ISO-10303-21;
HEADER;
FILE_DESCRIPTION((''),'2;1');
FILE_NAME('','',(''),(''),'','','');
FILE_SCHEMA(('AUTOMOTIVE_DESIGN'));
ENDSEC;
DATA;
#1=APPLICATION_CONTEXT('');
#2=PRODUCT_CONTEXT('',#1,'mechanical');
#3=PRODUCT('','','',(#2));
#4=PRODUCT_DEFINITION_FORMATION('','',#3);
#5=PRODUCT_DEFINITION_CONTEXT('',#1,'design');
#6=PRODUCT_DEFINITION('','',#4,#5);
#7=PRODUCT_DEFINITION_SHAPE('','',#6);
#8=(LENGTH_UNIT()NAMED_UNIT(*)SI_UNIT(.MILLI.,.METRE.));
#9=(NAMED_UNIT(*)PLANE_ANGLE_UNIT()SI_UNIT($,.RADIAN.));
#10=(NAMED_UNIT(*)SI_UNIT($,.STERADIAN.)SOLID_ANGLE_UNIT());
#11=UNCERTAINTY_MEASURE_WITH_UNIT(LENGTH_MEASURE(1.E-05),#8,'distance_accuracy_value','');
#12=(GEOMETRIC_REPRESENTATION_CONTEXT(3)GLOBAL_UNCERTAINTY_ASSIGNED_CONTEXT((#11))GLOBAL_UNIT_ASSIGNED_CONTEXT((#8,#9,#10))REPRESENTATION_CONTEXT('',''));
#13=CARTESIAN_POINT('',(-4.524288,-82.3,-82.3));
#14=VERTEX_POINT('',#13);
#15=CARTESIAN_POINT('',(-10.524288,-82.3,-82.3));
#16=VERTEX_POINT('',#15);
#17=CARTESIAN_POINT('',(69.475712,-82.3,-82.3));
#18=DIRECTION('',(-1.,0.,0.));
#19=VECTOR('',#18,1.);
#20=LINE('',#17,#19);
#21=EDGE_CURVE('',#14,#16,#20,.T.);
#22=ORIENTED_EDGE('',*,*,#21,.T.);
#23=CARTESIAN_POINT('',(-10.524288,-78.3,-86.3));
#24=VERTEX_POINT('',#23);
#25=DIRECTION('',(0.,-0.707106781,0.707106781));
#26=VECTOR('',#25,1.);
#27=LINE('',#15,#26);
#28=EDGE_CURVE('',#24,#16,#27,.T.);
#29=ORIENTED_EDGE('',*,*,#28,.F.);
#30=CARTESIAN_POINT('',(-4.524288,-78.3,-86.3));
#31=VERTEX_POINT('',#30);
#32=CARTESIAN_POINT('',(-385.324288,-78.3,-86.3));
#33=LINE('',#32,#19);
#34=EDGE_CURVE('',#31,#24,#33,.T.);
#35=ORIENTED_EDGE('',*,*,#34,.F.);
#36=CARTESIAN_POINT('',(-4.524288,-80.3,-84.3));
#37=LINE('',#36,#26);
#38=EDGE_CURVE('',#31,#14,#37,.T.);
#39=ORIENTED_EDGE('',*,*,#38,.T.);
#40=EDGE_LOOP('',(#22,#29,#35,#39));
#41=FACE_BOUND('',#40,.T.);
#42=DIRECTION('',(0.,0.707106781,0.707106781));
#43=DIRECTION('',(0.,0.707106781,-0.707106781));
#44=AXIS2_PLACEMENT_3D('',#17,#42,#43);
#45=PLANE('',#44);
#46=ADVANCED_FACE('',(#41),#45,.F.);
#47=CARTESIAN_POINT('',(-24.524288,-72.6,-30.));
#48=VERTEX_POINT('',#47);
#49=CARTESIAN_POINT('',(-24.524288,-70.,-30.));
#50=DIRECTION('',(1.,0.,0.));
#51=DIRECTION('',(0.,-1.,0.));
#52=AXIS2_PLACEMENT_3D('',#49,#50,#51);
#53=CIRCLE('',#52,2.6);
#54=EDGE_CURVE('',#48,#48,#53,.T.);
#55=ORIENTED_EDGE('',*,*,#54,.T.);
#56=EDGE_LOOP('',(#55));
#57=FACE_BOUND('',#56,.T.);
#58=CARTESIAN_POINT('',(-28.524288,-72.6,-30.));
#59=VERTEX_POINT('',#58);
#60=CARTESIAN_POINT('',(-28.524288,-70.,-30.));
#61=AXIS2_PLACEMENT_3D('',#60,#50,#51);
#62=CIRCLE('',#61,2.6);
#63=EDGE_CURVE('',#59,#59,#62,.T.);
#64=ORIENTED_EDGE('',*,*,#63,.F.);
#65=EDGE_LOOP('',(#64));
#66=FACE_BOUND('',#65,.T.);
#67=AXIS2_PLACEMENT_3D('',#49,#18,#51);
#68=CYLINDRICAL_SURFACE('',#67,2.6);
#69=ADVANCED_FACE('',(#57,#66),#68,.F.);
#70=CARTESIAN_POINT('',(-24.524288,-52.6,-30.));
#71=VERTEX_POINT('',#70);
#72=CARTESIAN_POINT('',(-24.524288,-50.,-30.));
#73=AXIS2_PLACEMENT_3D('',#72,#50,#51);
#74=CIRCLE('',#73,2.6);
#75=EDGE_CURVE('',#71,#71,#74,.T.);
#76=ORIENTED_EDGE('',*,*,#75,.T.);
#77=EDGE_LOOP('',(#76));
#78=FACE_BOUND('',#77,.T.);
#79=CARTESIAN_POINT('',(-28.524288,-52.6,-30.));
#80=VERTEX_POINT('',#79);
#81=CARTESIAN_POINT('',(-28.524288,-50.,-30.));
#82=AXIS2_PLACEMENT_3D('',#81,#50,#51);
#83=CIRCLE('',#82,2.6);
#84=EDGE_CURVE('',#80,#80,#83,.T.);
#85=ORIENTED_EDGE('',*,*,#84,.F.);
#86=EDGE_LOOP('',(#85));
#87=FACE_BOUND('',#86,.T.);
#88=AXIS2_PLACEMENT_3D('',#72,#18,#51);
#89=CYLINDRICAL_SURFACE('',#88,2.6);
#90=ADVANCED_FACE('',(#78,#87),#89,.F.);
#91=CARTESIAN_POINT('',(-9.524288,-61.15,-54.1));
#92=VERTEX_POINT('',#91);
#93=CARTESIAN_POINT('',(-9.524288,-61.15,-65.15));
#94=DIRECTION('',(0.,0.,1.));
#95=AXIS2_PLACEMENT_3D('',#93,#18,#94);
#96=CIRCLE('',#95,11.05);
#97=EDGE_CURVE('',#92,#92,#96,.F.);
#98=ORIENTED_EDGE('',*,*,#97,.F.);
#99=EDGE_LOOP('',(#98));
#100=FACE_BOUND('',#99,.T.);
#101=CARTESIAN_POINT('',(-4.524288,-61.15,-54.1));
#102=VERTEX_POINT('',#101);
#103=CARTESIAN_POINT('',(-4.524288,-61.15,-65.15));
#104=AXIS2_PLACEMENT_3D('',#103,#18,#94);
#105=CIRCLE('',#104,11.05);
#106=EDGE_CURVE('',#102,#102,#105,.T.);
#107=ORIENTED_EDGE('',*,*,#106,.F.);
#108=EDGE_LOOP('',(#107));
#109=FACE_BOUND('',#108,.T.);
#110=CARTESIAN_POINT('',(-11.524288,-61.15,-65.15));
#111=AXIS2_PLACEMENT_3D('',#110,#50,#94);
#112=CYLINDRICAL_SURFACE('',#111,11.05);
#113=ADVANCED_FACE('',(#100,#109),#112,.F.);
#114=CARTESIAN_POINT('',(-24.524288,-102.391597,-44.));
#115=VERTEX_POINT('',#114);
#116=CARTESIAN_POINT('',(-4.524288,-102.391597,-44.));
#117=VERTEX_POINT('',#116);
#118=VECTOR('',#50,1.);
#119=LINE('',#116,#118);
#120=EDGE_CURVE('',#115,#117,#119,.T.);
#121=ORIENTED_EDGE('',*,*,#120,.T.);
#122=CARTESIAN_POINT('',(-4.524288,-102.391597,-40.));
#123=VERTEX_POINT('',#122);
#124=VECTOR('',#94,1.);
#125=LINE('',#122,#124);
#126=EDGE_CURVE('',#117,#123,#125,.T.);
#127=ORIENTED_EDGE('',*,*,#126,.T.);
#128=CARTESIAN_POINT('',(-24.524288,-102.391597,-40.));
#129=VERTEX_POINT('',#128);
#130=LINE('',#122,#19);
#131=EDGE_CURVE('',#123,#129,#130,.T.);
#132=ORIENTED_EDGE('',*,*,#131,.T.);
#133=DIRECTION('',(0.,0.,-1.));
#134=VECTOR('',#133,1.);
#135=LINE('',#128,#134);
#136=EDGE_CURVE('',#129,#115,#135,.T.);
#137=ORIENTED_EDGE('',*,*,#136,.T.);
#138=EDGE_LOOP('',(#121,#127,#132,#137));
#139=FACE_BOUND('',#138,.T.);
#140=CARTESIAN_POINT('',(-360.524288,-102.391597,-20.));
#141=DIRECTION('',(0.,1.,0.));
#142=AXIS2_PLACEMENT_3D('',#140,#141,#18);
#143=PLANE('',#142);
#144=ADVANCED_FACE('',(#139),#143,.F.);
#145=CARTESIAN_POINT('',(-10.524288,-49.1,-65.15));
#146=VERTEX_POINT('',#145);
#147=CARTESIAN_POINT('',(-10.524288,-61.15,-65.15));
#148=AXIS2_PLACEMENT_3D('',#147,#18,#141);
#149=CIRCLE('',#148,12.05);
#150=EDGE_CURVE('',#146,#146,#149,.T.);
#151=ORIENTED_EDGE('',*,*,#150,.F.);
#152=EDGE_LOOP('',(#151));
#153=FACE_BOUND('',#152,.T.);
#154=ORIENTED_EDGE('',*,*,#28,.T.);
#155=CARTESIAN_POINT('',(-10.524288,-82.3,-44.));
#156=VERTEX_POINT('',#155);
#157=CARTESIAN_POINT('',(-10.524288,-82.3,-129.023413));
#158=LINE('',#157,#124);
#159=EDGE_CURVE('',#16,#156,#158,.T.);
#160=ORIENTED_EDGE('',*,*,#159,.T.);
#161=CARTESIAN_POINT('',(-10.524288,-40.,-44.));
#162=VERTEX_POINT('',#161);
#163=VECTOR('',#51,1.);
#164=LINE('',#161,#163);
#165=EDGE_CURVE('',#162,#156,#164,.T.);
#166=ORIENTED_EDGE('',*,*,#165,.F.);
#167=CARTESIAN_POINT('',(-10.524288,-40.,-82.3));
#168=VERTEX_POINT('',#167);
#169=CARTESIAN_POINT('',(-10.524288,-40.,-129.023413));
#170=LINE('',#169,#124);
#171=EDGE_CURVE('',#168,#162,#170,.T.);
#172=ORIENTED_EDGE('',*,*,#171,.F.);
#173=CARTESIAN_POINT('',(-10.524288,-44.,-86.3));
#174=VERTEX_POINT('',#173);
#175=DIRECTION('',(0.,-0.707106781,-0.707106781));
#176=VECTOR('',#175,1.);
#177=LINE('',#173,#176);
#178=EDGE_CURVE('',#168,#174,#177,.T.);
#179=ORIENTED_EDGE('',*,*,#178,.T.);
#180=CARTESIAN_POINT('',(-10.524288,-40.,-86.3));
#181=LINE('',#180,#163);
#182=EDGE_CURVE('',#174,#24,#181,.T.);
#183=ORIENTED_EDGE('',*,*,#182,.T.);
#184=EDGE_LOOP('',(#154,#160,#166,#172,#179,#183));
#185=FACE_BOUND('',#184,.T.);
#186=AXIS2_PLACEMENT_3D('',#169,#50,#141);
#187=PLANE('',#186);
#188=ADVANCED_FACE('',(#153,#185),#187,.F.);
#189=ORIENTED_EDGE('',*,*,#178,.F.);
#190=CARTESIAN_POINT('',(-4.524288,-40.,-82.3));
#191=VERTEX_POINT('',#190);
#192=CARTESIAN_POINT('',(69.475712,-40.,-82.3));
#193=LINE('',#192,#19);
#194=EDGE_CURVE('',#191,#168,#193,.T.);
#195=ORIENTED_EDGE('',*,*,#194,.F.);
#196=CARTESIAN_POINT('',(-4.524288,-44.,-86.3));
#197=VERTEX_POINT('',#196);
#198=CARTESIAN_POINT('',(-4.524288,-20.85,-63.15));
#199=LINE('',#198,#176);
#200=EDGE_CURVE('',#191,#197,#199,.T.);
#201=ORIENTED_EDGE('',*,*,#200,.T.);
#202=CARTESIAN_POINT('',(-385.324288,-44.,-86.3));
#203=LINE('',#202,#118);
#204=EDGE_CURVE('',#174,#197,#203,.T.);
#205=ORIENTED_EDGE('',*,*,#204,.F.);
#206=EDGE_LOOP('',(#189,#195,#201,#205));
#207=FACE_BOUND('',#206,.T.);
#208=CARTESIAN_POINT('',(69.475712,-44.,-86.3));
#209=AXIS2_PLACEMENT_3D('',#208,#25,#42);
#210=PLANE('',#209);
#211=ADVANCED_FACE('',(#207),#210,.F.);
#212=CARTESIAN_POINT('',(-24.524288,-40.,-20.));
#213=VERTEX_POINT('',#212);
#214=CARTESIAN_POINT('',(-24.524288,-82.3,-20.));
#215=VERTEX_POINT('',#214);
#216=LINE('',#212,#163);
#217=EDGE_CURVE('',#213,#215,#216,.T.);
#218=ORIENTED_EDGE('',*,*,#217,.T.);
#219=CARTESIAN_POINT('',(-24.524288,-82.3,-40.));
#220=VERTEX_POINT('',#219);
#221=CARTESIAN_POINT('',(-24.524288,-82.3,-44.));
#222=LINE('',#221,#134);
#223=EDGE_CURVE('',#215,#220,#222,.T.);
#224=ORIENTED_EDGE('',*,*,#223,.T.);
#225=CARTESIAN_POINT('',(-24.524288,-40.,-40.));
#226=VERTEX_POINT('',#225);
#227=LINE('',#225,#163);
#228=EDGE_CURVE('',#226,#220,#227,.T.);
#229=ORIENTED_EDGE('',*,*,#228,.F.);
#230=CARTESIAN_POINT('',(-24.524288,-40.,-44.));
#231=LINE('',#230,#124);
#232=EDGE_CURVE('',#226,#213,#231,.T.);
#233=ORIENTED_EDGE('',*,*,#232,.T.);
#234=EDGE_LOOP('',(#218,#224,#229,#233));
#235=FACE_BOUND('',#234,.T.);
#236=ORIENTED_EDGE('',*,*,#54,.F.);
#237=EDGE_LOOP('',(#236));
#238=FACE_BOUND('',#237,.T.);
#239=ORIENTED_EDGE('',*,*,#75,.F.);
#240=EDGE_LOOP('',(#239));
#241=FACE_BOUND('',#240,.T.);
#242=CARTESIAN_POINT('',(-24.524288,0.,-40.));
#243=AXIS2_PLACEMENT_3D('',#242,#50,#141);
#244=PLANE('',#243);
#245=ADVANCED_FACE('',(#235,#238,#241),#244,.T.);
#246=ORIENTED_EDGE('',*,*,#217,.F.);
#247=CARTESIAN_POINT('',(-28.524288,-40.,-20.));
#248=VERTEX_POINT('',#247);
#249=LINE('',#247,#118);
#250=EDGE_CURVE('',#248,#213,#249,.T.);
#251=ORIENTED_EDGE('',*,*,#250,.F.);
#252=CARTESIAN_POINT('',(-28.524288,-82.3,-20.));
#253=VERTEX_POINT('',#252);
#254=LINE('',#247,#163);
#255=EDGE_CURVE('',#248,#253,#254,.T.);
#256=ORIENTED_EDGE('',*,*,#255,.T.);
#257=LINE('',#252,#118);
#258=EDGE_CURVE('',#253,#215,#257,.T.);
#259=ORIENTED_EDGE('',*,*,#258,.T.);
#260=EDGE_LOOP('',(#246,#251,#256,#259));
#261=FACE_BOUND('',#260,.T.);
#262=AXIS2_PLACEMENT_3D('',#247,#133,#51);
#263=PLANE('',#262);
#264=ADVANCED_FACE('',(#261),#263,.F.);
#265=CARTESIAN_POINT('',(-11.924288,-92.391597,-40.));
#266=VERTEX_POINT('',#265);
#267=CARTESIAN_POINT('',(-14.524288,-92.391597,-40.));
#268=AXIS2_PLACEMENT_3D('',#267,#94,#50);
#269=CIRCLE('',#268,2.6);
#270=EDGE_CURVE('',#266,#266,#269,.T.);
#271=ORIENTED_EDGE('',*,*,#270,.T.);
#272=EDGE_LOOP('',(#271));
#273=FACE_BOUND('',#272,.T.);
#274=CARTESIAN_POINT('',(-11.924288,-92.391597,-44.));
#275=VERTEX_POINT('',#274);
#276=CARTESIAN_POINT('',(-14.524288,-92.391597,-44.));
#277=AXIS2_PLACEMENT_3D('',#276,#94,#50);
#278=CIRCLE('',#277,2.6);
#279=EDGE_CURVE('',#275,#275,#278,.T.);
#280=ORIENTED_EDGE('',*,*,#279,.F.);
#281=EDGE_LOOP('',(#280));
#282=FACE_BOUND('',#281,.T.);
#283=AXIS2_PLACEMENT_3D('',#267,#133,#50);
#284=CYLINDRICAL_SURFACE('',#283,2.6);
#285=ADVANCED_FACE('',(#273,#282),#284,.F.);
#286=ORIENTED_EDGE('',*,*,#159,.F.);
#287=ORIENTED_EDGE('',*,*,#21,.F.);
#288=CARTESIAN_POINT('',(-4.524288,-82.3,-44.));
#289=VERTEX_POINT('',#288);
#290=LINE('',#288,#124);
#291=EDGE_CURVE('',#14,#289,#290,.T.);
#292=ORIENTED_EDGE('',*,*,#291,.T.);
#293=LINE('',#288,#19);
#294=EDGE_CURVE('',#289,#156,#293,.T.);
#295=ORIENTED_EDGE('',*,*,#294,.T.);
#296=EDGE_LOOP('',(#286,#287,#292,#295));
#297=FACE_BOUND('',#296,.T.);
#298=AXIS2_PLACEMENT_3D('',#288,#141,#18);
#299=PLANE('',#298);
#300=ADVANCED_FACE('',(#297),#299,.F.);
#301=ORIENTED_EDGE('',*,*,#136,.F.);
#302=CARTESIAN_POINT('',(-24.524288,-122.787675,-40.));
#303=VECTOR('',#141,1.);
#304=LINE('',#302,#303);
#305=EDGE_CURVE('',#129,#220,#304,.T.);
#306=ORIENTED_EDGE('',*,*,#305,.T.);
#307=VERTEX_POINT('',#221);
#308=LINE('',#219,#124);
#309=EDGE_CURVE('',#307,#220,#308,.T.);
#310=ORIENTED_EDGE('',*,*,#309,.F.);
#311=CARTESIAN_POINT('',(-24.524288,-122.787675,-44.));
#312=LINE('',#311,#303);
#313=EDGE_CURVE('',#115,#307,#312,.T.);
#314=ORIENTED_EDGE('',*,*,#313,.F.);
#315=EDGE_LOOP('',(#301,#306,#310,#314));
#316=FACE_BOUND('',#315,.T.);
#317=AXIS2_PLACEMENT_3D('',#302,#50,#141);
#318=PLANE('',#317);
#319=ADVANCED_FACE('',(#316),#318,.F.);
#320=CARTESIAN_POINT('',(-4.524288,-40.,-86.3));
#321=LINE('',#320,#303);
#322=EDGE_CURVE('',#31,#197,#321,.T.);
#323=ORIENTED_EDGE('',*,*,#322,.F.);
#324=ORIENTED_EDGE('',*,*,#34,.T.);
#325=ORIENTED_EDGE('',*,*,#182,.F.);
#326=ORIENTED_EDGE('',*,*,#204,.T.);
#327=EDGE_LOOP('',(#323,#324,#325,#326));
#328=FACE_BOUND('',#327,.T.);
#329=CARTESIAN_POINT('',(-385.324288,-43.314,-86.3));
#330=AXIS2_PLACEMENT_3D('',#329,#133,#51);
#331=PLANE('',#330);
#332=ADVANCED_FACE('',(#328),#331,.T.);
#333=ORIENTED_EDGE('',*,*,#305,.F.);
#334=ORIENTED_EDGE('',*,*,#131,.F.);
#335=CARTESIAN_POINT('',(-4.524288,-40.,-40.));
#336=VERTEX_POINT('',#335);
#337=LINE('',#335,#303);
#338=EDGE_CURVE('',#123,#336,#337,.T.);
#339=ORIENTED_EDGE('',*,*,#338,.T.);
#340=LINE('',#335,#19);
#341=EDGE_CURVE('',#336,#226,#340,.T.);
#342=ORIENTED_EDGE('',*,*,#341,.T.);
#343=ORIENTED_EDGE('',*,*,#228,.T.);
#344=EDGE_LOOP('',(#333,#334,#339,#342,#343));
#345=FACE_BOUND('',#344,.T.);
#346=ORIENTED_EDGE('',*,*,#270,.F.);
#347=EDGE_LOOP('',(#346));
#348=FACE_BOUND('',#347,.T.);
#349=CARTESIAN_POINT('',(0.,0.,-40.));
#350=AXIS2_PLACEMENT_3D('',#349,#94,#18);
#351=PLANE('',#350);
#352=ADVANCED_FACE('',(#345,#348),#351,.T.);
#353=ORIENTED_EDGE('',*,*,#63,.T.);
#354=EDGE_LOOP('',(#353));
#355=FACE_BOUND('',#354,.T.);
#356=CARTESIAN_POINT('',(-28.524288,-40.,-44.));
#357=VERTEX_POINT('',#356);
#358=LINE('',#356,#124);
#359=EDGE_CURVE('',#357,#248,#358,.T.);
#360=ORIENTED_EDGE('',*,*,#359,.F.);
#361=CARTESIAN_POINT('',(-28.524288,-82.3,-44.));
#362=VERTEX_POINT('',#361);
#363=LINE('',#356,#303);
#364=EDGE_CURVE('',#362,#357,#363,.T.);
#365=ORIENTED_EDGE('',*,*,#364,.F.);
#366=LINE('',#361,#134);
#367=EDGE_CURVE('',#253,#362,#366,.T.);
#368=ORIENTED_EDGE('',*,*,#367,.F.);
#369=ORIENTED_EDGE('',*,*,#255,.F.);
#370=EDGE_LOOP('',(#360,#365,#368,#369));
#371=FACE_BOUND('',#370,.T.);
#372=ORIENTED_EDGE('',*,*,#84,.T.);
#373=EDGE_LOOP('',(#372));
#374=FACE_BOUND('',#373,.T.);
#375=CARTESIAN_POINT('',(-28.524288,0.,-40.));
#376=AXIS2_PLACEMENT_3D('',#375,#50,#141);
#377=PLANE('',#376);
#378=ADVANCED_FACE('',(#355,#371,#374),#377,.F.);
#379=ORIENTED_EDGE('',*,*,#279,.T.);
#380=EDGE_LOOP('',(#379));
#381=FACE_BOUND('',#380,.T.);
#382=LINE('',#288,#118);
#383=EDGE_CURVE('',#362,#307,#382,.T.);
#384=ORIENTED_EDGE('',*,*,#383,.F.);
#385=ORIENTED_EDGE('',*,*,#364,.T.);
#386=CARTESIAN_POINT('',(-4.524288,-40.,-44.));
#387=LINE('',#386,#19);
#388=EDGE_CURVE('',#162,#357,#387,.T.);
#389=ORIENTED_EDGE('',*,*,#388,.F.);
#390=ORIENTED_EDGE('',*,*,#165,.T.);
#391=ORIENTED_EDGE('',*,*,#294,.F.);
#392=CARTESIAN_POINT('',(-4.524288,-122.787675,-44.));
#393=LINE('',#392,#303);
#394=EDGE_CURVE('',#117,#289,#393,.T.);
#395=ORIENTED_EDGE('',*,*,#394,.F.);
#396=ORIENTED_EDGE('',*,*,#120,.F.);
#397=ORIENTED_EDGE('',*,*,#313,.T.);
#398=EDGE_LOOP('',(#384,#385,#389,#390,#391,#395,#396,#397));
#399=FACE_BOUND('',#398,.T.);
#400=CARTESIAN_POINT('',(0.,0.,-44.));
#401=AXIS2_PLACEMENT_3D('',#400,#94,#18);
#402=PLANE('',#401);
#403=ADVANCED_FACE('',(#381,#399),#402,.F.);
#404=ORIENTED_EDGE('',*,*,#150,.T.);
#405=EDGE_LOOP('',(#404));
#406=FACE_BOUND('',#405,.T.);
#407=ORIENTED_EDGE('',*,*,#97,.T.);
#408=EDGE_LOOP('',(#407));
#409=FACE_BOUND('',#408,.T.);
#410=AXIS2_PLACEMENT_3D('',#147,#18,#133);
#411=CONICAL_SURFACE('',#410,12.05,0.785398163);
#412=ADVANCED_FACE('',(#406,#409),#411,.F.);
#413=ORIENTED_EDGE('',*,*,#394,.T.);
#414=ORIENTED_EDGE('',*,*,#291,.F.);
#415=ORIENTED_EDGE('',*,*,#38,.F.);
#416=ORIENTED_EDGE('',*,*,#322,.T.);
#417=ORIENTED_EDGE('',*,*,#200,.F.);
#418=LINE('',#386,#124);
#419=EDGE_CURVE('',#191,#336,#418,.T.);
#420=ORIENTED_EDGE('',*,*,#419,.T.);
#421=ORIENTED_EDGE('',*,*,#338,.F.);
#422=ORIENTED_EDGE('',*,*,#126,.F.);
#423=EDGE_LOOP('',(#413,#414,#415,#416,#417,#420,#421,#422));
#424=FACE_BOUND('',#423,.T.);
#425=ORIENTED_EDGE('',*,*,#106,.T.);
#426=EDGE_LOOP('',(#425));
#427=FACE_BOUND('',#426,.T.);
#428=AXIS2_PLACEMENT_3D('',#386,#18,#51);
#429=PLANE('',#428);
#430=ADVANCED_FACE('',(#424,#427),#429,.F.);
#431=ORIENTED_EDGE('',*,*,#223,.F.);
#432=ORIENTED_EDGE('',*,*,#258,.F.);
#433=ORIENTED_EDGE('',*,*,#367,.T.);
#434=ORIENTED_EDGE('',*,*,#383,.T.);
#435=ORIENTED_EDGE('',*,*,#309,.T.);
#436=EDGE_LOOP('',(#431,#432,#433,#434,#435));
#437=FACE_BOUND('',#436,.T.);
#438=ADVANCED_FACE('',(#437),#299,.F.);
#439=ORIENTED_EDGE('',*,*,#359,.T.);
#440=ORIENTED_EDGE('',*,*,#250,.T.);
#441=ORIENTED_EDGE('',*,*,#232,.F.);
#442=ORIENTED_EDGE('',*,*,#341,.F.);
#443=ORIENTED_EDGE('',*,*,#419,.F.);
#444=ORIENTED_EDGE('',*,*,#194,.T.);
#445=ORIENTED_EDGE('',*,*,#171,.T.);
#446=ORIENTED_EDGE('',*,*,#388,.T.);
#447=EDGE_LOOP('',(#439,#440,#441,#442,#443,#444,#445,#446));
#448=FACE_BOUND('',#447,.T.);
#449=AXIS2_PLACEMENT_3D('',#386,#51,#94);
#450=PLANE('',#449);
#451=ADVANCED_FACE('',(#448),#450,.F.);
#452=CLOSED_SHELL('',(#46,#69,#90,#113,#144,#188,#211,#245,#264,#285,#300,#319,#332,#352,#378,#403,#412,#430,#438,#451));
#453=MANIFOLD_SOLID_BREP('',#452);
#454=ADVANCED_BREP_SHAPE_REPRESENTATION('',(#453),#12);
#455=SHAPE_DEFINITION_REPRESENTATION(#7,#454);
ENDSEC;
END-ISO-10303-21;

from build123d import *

# Parameters (mm, degrees)
SKICA2_W                 = 20
SKICA2_H                 = 42.3
P_IDAT_VYSUNUT_M1_DEPTH  = 4
SKICA3_W                 = 24
SKICA3_H                 = 42.3
P_IDAT_VYSUNUT_M2_DEPTH  = 4
SKICA4_W                 = 6
SKICA4_H                 = 42.3
P_IDAT_VYSUNUT_M3_DEPTH  = 42.3
SKICA5_R                 = 11.05
ODEBRAT_VYSUNUT_M1_DEPTH = 7
SKICA7_R                 = 2.6
ODEBRAT_VYSUNUT_M3_DEPTH = 4
ZKOSEN_1_SIZE            = 1
SKICA8_W                 = 20
SKICA8_H                 = 4
P_IDAT_VYSUNUT_M4_DEPTH  = 20.091596743
SKICA9_R                 = 2.6
ODEBRAT_VYSUNUT_M4_DEPTH = 4
ODEBRAT_VYSUNUT_M5_DEPTH = 80
SKICA11_W                = 84.692176523
SKICA11_H                = 80.474242756
ODEBRAT_VYSUNUT_M6_DEPTH = 24


with BuildPart() as part:
    # Skica2 → Přidat vysunutím1 (new body)
    with BuildSketch(Plane.XY):
        with Locations((-14.524287798, -61.15)):
            Rectangle(SKICA2_W, SKICA2_H)
    extrude(amount=P_IDAT_VYSUNUT_M1_DEPTH)

    # Skica3 → Přidat vysunutím2 (add)
    with BuildSketch(Plane.ZY.offset(24.524287798)):
        with Locations((-8, -61.15)):
            Rectangle(SKICA3_W, SKICA3_H)
    extrude(amount=P_IDAT_VYSUNUT_M2_DEPTH)

    # Skica4 → Přidat vysunutím3 (add)
    with BuildSketch(Plane.XY.offset(4)):
        with Locations((-7.524287798, -61.15)):
            Rectangle(SKICA4_W, SKICA4_H)
    extrude(amount=P_IDAT_VYSUNUT_M3_DEPTH)

    # Skica5 → Odebrat vysunutím1 (cut)
    with BuildSketch(Plane(origin=(-4.524287798, 0, 0), x_dir=(0, 0, -1), z_dir=(1, 0, 0))):
        with Locations((-25.15, -61.15)):
            Circle(SKICA5_R)
    extrude(amount=-ODEBRAT_VYSUNUT_M1_DEPTH, mode=Mode.SUBTRACT)

    # Skica7 → Odebrat vysunutím3 (cut)
    with BuildSketch(Plane.ZY.offset(28.524287798)):
        with Locations(Location((-10, -50, 0), (0, 0, 270))):
            Circle(SKICA7_R)
        with Locations(Location((-10, -70, 0), (0, 0, 270))):
            Circle(SKICA7_R)
    extrude(amount=-ODEBRAT_VYSUNUT_M3_DEPTH, mode=Mode.SUBTRACT)

    # Zkosení1
    zkosen_1_edges = [part.edges().sort_by_distance(p)[0] for p in [
        (-10.524287798, -61.15, 36.2),
    ]]
    chamfer(zkosen_1_edges, length=ZKOSEN_1_SIZE)

    # Skica8 → Přidat vysunutím4 (add)
    with BuildSketch(Plane.XZ.offset(82.3)):
        with Locations((-14.524287798, 2)):
            Rectangle(SKICA8_W, SKICA8_H)
    extrude(amount=P_IDAT_VYSUNUT_M4_DEPTH)

    # Skica9 → Odebrat vysunutím4 (cut)
    with BuildSketch(Plane.XY.offset(4)):
        with Locations((-14.524287798, -92.391596743)):
            Circle(SKICA9_R)
    extrude(amount=-ODEBRAT_VYSUNUT_M4_DEPTH, mode=Mode.SUBTRACT)

    # Skica10 → Odebrat vysunutím5 (cut)
    with BuildSketch(Plane.ZY.offset(10.524287798)):
        Polygon((46.3, -44), (42.3, -40), (46.565878614, -39.259270079), align=None)
        Polygon((42.3, -82.3), (46.3, -78.3), (47.745576453, -80.3), (46.3, -85.415433185), align=None)
    extrude(amount=-ODEBRAT_VYSUNUT_M5_DEPTH, mode=Mode.SUBTRACT)


with BuildPart() as body_2:
    # Zrcadlit1: mirrored copy
    add(part.part.mirror(Plane(origin=(-28.524287798, -40, -20), x_dir=(1, 0, 0), z_dir=(0, 0, 1))))


with BuildPart() as part_1:
    add(part.part)

    # Skica11 → Odebrat vysunutím6 (cut)
    with BuildSketch(Plane.ZY.offset(28.524287798)):
        with Locations((22.346088262, -80.237121378)):
            Rectangle(SKICA11_W, SKICA11_H)
    extrude(amount=-ODEBRAT_VYSUNUT_M6_DEPTH, mode=Mode.SUBTRACT)


solid = body_2.part
